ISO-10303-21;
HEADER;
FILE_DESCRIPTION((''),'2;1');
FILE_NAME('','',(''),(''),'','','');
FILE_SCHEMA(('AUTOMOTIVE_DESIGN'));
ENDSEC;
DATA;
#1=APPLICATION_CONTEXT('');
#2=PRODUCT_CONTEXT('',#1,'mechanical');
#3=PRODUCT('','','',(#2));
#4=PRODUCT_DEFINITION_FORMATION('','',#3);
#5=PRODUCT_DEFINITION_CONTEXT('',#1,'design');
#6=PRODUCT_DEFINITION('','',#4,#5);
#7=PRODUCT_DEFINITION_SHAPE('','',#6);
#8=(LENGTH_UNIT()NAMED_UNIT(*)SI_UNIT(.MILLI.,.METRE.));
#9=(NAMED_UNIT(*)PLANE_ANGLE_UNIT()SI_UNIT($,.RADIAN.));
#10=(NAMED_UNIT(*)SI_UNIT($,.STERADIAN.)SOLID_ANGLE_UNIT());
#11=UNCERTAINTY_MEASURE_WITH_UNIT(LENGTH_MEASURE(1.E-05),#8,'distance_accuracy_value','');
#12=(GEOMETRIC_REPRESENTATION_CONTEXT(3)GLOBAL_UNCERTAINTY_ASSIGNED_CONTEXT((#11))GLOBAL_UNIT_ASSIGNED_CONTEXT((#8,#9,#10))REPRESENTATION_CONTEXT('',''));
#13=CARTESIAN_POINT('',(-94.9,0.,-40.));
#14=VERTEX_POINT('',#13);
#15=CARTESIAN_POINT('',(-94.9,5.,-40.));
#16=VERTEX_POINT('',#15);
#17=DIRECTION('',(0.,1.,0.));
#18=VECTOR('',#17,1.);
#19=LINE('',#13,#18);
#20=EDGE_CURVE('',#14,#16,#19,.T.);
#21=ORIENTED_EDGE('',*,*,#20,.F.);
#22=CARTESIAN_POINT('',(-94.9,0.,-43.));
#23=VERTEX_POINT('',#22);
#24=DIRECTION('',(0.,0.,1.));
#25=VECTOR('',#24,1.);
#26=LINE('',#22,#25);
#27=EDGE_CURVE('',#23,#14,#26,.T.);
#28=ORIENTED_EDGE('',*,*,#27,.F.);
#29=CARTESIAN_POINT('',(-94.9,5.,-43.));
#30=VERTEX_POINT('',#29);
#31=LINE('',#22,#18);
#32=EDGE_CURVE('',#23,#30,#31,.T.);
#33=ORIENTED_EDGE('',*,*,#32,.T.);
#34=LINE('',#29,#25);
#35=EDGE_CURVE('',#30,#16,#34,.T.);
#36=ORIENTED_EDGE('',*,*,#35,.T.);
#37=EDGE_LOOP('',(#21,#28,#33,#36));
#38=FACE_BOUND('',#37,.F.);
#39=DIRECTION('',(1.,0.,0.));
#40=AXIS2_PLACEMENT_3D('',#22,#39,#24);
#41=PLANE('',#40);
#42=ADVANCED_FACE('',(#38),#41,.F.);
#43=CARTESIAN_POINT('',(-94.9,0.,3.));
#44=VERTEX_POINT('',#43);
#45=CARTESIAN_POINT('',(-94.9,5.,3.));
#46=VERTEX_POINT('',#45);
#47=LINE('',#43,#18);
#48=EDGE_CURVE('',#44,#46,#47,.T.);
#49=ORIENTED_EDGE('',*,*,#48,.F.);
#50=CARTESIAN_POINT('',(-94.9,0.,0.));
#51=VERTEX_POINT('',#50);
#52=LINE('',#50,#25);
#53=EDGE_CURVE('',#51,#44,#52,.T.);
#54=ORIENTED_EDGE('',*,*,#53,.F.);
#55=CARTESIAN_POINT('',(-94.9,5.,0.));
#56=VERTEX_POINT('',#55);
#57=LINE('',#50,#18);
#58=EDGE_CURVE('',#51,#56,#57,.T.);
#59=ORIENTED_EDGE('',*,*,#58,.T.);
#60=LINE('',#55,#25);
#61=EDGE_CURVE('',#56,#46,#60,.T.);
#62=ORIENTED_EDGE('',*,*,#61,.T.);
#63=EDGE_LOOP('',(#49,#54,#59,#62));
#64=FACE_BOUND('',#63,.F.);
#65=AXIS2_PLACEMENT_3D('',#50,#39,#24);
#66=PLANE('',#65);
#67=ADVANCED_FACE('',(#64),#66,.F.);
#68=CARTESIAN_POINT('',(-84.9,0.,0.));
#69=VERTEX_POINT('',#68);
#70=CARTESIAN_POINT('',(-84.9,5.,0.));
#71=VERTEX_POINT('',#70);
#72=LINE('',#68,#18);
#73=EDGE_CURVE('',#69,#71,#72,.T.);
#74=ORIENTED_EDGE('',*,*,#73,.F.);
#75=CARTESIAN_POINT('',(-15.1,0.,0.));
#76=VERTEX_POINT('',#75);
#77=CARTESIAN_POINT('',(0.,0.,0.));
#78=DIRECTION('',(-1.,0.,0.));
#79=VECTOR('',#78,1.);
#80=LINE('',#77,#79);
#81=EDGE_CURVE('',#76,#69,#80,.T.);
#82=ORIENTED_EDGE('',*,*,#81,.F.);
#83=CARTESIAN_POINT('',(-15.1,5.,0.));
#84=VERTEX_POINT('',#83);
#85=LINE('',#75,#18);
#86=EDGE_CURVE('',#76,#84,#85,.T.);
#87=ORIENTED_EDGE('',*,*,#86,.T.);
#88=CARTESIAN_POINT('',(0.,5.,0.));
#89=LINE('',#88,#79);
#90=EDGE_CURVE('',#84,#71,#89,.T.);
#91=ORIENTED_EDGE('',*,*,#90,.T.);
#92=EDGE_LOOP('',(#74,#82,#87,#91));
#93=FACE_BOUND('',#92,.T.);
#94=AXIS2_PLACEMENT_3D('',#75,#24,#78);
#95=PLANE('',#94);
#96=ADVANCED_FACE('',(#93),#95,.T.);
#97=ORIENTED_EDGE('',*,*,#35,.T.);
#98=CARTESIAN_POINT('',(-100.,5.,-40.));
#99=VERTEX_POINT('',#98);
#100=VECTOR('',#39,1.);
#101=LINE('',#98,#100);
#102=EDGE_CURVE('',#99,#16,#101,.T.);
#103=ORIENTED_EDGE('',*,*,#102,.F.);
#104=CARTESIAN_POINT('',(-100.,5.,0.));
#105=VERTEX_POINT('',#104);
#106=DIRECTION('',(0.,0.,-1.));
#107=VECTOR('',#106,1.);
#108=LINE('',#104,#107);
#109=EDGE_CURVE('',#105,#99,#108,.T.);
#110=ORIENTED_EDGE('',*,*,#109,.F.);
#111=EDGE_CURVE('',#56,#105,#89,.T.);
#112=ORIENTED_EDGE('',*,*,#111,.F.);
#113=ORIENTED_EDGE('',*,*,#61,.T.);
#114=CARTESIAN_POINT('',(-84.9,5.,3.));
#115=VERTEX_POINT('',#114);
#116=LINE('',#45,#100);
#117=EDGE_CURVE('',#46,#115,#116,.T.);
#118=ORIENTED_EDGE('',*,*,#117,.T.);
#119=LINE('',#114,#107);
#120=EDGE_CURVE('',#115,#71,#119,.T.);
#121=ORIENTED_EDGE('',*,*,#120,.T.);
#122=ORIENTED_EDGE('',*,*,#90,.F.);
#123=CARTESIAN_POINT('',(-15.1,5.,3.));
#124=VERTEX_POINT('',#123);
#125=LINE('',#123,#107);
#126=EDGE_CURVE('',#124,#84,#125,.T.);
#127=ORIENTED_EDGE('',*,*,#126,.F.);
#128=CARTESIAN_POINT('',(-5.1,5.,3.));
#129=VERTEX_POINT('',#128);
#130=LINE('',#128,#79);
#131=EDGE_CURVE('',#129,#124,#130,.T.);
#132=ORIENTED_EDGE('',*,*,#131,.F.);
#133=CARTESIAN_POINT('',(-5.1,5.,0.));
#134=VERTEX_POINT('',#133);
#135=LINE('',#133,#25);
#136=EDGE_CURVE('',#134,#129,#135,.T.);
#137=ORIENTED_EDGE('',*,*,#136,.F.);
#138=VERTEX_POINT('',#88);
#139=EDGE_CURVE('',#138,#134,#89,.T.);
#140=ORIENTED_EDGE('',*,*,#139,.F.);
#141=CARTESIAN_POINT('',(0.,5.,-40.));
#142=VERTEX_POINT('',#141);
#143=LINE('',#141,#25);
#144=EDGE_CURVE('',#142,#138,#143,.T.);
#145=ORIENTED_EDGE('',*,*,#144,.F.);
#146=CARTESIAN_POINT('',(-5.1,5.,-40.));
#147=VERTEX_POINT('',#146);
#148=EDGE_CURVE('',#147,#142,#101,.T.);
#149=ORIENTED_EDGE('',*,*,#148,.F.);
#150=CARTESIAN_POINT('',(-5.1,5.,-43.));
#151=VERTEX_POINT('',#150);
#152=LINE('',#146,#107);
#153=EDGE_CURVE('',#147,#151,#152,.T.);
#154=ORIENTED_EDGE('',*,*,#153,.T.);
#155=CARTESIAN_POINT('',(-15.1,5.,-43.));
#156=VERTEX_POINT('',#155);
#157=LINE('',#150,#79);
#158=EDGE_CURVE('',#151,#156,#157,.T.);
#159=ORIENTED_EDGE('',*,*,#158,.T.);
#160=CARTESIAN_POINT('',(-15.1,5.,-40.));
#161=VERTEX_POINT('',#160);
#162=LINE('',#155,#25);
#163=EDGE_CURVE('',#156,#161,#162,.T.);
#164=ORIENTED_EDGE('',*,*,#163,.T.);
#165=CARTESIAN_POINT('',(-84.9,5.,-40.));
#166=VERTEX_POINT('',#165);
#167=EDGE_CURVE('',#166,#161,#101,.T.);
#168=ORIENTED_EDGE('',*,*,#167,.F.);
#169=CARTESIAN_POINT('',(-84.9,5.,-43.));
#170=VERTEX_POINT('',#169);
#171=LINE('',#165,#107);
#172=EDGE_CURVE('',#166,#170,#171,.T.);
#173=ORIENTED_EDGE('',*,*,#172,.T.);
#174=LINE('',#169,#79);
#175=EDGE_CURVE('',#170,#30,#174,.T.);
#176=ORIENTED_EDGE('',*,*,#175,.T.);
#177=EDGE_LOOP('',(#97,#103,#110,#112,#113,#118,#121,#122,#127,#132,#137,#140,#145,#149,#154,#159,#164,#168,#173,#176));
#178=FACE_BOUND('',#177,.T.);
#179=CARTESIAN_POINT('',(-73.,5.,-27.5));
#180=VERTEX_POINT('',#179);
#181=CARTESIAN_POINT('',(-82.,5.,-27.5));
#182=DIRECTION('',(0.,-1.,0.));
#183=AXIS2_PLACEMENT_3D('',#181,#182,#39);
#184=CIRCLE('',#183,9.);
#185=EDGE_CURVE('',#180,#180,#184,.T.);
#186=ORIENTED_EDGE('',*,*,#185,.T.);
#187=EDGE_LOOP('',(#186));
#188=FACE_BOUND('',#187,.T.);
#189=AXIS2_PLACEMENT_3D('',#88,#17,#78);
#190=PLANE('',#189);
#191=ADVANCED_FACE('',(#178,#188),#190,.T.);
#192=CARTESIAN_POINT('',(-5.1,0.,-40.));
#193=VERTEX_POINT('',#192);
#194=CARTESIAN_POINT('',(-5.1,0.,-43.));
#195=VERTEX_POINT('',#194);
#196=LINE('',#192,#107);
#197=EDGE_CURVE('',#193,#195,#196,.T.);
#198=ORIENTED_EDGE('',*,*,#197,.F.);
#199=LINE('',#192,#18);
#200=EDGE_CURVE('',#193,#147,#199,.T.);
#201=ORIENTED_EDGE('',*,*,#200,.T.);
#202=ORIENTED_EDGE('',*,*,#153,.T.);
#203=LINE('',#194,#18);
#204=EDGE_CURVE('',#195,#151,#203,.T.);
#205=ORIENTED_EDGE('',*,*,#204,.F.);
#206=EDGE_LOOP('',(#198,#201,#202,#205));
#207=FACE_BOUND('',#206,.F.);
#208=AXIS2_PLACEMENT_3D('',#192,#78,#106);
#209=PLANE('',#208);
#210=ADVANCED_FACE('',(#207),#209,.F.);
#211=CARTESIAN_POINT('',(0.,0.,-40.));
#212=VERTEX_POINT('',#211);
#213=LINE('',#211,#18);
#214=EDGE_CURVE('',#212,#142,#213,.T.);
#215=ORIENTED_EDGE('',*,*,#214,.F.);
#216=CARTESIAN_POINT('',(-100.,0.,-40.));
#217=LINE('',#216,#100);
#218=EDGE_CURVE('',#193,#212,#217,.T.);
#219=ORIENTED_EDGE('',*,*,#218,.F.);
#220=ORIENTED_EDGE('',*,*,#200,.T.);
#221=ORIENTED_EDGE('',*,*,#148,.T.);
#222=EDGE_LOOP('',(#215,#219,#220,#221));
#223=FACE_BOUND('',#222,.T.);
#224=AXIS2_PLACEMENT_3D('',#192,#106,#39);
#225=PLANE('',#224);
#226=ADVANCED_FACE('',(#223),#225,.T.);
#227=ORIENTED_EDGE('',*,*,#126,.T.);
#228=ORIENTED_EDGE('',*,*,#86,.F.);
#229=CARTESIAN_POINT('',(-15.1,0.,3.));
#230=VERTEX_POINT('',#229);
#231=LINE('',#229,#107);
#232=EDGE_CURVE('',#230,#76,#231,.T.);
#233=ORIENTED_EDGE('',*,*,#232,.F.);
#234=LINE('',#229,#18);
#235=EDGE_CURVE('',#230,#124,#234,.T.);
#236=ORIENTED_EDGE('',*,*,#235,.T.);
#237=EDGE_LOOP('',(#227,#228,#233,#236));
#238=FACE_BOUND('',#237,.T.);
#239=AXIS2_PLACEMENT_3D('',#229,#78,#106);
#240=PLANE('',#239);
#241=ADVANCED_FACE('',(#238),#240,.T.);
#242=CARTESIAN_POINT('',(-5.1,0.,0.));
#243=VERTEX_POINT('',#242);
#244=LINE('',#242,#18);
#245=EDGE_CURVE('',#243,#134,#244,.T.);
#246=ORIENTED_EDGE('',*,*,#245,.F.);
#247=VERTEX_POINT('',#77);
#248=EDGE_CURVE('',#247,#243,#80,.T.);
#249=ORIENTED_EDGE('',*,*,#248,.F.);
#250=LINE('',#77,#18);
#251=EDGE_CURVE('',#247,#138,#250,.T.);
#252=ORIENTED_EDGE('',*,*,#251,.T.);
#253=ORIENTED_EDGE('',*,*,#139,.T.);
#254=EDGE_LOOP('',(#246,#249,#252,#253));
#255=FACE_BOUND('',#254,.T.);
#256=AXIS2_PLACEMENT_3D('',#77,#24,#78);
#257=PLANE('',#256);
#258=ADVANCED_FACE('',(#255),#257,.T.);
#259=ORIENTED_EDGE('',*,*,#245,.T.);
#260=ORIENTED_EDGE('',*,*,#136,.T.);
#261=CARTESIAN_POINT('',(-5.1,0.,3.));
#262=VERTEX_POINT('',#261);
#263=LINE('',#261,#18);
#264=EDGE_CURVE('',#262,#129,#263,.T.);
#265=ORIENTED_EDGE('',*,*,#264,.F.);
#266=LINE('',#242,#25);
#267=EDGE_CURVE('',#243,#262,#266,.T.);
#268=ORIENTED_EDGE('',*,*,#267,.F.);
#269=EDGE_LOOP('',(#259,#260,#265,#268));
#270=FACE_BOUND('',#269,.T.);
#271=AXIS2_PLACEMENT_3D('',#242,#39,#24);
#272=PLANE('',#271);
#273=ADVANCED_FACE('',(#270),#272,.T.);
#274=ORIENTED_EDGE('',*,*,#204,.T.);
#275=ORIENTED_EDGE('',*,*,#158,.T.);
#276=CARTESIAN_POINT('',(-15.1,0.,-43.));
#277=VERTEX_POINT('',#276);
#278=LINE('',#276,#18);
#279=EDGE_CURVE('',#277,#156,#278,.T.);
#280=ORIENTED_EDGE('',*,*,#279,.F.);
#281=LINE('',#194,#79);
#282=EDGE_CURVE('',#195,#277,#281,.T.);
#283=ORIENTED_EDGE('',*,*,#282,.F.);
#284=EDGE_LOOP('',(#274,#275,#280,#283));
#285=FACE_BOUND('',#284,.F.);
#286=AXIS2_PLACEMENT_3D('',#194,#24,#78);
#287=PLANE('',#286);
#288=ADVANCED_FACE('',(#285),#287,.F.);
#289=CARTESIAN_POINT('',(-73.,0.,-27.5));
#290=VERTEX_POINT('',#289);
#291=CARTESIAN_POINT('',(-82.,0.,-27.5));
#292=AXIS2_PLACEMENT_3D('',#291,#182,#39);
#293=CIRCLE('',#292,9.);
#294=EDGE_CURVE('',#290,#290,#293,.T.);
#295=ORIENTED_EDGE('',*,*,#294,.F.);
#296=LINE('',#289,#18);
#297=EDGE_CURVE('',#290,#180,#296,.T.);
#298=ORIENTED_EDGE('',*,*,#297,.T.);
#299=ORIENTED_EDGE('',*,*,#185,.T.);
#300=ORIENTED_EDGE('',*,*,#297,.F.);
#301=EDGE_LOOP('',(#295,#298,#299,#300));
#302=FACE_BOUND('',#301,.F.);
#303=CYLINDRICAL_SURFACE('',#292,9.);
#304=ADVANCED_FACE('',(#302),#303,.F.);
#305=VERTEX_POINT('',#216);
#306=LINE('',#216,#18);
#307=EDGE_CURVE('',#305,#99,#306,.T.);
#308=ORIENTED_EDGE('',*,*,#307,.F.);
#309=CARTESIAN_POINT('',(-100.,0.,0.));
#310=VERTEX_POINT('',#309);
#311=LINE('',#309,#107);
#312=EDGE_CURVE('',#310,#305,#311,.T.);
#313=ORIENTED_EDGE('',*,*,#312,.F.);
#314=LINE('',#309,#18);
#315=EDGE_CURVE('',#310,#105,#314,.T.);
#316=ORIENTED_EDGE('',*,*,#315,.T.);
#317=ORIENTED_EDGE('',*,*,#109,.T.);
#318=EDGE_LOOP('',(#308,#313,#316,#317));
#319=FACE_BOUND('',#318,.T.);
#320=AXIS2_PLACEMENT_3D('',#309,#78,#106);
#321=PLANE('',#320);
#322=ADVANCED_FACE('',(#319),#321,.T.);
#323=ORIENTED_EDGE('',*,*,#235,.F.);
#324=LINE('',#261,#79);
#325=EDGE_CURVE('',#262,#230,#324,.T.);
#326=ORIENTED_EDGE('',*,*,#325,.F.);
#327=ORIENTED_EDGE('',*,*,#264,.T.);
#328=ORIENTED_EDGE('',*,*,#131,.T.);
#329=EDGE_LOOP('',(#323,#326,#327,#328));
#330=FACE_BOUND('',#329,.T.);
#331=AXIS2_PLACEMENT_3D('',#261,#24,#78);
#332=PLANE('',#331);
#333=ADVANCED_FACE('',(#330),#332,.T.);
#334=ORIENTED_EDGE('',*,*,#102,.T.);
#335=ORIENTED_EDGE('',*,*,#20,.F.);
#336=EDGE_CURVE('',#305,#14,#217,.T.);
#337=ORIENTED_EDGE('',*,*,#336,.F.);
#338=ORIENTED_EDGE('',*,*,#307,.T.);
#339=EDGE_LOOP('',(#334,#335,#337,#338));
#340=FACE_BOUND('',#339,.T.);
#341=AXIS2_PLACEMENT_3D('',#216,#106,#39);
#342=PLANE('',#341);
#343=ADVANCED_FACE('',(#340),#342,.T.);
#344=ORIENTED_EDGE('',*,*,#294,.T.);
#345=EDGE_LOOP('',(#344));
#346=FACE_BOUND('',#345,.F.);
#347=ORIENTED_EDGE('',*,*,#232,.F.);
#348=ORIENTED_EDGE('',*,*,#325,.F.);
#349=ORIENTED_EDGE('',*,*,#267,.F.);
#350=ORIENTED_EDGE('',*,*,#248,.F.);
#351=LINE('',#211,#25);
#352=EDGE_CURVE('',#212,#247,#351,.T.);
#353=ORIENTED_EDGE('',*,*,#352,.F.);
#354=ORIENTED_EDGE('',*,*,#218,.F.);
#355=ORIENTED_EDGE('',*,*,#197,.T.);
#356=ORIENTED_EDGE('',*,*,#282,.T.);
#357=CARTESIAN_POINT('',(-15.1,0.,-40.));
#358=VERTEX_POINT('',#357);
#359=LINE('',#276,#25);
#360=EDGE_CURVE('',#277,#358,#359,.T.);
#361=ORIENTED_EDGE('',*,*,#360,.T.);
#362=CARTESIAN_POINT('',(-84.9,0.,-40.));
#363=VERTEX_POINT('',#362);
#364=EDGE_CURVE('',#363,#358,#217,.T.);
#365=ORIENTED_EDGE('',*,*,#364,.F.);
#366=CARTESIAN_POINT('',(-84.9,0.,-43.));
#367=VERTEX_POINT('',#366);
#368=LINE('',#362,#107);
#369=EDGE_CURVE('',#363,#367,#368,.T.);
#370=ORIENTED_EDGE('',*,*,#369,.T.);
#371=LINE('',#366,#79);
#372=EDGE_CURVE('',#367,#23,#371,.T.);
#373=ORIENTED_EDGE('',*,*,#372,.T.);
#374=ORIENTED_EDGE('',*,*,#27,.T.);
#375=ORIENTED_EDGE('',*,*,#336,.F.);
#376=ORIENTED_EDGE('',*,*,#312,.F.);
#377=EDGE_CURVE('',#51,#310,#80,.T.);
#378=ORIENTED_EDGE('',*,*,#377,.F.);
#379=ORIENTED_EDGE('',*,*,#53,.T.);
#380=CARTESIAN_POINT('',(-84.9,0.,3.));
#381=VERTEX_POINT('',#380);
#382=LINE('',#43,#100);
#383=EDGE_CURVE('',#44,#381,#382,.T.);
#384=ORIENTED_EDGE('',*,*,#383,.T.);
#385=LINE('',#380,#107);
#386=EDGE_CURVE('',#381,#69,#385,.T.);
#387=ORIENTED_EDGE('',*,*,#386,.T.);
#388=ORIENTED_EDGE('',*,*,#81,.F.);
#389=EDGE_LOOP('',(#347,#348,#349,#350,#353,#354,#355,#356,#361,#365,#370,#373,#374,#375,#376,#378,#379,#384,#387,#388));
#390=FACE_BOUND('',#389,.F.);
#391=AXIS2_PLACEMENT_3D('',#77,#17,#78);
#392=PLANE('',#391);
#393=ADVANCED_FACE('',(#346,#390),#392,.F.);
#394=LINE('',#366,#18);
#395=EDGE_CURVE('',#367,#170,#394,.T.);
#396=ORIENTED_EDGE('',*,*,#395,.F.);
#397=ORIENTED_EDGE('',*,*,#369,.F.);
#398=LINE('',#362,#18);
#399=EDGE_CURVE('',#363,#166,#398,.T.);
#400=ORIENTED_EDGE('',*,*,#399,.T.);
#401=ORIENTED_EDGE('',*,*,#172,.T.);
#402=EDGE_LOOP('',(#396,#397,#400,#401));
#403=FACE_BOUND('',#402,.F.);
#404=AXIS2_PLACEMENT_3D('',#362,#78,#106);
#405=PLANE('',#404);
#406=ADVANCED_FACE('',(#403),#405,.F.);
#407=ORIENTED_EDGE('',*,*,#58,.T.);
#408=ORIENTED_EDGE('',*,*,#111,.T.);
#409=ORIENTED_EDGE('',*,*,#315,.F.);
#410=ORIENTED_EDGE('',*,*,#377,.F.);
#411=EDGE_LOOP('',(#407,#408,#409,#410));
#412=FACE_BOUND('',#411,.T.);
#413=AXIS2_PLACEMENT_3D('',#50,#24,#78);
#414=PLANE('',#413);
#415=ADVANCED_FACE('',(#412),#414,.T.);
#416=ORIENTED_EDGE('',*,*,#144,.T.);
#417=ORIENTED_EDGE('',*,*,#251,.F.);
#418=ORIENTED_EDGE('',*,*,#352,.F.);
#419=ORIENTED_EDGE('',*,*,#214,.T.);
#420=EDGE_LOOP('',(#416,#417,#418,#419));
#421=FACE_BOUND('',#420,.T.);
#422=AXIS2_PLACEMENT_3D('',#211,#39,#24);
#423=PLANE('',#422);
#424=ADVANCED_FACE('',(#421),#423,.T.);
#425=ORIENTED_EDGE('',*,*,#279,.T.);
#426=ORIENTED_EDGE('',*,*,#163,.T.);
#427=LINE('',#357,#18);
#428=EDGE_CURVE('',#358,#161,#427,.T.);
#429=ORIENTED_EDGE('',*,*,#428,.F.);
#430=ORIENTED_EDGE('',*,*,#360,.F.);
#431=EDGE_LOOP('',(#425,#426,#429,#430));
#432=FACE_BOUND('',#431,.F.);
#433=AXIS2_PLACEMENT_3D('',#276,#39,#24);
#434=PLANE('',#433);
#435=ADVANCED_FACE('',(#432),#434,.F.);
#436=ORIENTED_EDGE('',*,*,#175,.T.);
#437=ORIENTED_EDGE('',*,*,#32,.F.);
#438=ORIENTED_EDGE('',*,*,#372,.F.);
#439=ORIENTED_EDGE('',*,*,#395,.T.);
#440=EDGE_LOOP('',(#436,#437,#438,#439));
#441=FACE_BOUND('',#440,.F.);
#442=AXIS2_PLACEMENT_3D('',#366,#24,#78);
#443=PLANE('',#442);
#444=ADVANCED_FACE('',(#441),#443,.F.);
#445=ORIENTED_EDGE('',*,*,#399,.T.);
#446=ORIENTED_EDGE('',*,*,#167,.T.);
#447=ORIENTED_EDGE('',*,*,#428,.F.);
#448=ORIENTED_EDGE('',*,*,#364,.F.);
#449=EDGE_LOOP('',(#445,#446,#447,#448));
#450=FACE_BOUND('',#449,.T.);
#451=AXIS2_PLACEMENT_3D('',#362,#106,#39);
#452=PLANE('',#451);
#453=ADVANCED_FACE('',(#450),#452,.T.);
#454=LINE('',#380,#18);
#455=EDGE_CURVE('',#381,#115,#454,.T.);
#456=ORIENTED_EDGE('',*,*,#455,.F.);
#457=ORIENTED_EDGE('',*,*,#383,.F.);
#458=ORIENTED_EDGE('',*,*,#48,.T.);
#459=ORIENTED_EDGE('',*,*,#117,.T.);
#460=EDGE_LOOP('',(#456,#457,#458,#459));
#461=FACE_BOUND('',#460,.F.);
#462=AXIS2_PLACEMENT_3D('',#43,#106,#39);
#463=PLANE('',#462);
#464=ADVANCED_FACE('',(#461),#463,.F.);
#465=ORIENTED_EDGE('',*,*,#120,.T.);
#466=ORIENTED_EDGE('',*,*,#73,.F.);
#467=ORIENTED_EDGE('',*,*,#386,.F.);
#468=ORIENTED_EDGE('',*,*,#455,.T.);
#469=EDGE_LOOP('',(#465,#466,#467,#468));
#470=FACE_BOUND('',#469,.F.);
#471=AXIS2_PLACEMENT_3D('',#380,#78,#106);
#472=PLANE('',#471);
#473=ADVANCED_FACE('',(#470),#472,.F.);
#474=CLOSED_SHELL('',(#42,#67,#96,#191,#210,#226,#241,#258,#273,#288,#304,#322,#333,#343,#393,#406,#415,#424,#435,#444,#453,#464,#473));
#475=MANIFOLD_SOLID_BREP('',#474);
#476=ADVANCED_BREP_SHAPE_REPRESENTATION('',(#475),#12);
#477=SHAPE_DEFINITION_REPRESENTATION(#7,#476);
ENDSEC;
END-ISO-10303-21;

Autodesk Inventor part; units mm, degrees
ref_plane "YZ Plane" through (0, 0, 0) normal (1, 0, 0) x (0, 1, 0)
ref_plane "XZ Plane" through (0, 0, 0) normal (0, 1, 0) x (-1, 0, 0)
ref_plane "XY Plane" through (0, 0, 0) normal (0, 0, 1) x (1, 0, 0)
sketch "Sketch1" plane through (0, 0, 0) normal (0, 1, 0) x (-1, 0, 0)
  line L0 (0, 0) -> (100, 0)
  line L1 (100, 0) -> (100, -40)
  line L2 (100, -40) -> (0, -40)
  line L3 (0, -40) -> (0, 0)
  line L4 (94.9, -40) -> (84.9, -40)
  line L5 (84.9, -40) -> (84.9, -43)
  line L6 (84.9, -43) -> (94.9, -43)
  line L7 (94.9, -43) -> (94.9, -40)
  line L8 (15.1, -40) -> (5.1, -40)
  line L9 (5.1, -40) -> (5.1, -43)
  line L10 (5.1, -43) -> (15.1, -43)
  line L11 (15.1, -43) -> (15.1, -40)
  line L12 (15.1, 0) -> (5.1, 0)
  line L13 (5.1, 0) -> (5.1, 3)
  line L14 (5.1, 3) -> (15.1, 3)
  line L15 (15.1, 3) -> (15.1, 0)
  line L16 (84.9, 0) -> (94.9, 0)
  line L17 (94.9, 0) -> (94.9, 3)
  line L18 (94.9, 3) -> (84.9, 3)
  line L19 (84.9, 3) -> (84.9, 0)
  dimension "d0" = 40
  dimension "d1" = 100
  dimension "d2" = 3
  dimension "d3" = 5.1
  dimension "d4" = 10
  dimension "d5" = 5.1
  dimension "d6" = 10
  dimension "d7" = 5.1
  dimension "d8" = 3
  dimension "d9" = 5.1
  dimension "d10" = 10
extrude "Extrusion1" add sketch "Sketch1" along normal blind 5
sketch "Sketch2" plane through (0, 0, 0) normal (0, -1, 0) x (1, 0, 0)
  circle A0 centre (-82, -27.5) radius 9
  line L0 (-100, -40) -> (-100, 0) projected
  line L1 (-15.1, -40) -> (-84.9, -40) projected
  point P0 (0, 0)
  dimension "d13" = 18
  dimension "d14" = 18
  dimension "d15" = 12.5
extrude "Extrusion2" cut sketch "Sketch2" against normal blind 5
properties part number "Steckerplatte_seit"
